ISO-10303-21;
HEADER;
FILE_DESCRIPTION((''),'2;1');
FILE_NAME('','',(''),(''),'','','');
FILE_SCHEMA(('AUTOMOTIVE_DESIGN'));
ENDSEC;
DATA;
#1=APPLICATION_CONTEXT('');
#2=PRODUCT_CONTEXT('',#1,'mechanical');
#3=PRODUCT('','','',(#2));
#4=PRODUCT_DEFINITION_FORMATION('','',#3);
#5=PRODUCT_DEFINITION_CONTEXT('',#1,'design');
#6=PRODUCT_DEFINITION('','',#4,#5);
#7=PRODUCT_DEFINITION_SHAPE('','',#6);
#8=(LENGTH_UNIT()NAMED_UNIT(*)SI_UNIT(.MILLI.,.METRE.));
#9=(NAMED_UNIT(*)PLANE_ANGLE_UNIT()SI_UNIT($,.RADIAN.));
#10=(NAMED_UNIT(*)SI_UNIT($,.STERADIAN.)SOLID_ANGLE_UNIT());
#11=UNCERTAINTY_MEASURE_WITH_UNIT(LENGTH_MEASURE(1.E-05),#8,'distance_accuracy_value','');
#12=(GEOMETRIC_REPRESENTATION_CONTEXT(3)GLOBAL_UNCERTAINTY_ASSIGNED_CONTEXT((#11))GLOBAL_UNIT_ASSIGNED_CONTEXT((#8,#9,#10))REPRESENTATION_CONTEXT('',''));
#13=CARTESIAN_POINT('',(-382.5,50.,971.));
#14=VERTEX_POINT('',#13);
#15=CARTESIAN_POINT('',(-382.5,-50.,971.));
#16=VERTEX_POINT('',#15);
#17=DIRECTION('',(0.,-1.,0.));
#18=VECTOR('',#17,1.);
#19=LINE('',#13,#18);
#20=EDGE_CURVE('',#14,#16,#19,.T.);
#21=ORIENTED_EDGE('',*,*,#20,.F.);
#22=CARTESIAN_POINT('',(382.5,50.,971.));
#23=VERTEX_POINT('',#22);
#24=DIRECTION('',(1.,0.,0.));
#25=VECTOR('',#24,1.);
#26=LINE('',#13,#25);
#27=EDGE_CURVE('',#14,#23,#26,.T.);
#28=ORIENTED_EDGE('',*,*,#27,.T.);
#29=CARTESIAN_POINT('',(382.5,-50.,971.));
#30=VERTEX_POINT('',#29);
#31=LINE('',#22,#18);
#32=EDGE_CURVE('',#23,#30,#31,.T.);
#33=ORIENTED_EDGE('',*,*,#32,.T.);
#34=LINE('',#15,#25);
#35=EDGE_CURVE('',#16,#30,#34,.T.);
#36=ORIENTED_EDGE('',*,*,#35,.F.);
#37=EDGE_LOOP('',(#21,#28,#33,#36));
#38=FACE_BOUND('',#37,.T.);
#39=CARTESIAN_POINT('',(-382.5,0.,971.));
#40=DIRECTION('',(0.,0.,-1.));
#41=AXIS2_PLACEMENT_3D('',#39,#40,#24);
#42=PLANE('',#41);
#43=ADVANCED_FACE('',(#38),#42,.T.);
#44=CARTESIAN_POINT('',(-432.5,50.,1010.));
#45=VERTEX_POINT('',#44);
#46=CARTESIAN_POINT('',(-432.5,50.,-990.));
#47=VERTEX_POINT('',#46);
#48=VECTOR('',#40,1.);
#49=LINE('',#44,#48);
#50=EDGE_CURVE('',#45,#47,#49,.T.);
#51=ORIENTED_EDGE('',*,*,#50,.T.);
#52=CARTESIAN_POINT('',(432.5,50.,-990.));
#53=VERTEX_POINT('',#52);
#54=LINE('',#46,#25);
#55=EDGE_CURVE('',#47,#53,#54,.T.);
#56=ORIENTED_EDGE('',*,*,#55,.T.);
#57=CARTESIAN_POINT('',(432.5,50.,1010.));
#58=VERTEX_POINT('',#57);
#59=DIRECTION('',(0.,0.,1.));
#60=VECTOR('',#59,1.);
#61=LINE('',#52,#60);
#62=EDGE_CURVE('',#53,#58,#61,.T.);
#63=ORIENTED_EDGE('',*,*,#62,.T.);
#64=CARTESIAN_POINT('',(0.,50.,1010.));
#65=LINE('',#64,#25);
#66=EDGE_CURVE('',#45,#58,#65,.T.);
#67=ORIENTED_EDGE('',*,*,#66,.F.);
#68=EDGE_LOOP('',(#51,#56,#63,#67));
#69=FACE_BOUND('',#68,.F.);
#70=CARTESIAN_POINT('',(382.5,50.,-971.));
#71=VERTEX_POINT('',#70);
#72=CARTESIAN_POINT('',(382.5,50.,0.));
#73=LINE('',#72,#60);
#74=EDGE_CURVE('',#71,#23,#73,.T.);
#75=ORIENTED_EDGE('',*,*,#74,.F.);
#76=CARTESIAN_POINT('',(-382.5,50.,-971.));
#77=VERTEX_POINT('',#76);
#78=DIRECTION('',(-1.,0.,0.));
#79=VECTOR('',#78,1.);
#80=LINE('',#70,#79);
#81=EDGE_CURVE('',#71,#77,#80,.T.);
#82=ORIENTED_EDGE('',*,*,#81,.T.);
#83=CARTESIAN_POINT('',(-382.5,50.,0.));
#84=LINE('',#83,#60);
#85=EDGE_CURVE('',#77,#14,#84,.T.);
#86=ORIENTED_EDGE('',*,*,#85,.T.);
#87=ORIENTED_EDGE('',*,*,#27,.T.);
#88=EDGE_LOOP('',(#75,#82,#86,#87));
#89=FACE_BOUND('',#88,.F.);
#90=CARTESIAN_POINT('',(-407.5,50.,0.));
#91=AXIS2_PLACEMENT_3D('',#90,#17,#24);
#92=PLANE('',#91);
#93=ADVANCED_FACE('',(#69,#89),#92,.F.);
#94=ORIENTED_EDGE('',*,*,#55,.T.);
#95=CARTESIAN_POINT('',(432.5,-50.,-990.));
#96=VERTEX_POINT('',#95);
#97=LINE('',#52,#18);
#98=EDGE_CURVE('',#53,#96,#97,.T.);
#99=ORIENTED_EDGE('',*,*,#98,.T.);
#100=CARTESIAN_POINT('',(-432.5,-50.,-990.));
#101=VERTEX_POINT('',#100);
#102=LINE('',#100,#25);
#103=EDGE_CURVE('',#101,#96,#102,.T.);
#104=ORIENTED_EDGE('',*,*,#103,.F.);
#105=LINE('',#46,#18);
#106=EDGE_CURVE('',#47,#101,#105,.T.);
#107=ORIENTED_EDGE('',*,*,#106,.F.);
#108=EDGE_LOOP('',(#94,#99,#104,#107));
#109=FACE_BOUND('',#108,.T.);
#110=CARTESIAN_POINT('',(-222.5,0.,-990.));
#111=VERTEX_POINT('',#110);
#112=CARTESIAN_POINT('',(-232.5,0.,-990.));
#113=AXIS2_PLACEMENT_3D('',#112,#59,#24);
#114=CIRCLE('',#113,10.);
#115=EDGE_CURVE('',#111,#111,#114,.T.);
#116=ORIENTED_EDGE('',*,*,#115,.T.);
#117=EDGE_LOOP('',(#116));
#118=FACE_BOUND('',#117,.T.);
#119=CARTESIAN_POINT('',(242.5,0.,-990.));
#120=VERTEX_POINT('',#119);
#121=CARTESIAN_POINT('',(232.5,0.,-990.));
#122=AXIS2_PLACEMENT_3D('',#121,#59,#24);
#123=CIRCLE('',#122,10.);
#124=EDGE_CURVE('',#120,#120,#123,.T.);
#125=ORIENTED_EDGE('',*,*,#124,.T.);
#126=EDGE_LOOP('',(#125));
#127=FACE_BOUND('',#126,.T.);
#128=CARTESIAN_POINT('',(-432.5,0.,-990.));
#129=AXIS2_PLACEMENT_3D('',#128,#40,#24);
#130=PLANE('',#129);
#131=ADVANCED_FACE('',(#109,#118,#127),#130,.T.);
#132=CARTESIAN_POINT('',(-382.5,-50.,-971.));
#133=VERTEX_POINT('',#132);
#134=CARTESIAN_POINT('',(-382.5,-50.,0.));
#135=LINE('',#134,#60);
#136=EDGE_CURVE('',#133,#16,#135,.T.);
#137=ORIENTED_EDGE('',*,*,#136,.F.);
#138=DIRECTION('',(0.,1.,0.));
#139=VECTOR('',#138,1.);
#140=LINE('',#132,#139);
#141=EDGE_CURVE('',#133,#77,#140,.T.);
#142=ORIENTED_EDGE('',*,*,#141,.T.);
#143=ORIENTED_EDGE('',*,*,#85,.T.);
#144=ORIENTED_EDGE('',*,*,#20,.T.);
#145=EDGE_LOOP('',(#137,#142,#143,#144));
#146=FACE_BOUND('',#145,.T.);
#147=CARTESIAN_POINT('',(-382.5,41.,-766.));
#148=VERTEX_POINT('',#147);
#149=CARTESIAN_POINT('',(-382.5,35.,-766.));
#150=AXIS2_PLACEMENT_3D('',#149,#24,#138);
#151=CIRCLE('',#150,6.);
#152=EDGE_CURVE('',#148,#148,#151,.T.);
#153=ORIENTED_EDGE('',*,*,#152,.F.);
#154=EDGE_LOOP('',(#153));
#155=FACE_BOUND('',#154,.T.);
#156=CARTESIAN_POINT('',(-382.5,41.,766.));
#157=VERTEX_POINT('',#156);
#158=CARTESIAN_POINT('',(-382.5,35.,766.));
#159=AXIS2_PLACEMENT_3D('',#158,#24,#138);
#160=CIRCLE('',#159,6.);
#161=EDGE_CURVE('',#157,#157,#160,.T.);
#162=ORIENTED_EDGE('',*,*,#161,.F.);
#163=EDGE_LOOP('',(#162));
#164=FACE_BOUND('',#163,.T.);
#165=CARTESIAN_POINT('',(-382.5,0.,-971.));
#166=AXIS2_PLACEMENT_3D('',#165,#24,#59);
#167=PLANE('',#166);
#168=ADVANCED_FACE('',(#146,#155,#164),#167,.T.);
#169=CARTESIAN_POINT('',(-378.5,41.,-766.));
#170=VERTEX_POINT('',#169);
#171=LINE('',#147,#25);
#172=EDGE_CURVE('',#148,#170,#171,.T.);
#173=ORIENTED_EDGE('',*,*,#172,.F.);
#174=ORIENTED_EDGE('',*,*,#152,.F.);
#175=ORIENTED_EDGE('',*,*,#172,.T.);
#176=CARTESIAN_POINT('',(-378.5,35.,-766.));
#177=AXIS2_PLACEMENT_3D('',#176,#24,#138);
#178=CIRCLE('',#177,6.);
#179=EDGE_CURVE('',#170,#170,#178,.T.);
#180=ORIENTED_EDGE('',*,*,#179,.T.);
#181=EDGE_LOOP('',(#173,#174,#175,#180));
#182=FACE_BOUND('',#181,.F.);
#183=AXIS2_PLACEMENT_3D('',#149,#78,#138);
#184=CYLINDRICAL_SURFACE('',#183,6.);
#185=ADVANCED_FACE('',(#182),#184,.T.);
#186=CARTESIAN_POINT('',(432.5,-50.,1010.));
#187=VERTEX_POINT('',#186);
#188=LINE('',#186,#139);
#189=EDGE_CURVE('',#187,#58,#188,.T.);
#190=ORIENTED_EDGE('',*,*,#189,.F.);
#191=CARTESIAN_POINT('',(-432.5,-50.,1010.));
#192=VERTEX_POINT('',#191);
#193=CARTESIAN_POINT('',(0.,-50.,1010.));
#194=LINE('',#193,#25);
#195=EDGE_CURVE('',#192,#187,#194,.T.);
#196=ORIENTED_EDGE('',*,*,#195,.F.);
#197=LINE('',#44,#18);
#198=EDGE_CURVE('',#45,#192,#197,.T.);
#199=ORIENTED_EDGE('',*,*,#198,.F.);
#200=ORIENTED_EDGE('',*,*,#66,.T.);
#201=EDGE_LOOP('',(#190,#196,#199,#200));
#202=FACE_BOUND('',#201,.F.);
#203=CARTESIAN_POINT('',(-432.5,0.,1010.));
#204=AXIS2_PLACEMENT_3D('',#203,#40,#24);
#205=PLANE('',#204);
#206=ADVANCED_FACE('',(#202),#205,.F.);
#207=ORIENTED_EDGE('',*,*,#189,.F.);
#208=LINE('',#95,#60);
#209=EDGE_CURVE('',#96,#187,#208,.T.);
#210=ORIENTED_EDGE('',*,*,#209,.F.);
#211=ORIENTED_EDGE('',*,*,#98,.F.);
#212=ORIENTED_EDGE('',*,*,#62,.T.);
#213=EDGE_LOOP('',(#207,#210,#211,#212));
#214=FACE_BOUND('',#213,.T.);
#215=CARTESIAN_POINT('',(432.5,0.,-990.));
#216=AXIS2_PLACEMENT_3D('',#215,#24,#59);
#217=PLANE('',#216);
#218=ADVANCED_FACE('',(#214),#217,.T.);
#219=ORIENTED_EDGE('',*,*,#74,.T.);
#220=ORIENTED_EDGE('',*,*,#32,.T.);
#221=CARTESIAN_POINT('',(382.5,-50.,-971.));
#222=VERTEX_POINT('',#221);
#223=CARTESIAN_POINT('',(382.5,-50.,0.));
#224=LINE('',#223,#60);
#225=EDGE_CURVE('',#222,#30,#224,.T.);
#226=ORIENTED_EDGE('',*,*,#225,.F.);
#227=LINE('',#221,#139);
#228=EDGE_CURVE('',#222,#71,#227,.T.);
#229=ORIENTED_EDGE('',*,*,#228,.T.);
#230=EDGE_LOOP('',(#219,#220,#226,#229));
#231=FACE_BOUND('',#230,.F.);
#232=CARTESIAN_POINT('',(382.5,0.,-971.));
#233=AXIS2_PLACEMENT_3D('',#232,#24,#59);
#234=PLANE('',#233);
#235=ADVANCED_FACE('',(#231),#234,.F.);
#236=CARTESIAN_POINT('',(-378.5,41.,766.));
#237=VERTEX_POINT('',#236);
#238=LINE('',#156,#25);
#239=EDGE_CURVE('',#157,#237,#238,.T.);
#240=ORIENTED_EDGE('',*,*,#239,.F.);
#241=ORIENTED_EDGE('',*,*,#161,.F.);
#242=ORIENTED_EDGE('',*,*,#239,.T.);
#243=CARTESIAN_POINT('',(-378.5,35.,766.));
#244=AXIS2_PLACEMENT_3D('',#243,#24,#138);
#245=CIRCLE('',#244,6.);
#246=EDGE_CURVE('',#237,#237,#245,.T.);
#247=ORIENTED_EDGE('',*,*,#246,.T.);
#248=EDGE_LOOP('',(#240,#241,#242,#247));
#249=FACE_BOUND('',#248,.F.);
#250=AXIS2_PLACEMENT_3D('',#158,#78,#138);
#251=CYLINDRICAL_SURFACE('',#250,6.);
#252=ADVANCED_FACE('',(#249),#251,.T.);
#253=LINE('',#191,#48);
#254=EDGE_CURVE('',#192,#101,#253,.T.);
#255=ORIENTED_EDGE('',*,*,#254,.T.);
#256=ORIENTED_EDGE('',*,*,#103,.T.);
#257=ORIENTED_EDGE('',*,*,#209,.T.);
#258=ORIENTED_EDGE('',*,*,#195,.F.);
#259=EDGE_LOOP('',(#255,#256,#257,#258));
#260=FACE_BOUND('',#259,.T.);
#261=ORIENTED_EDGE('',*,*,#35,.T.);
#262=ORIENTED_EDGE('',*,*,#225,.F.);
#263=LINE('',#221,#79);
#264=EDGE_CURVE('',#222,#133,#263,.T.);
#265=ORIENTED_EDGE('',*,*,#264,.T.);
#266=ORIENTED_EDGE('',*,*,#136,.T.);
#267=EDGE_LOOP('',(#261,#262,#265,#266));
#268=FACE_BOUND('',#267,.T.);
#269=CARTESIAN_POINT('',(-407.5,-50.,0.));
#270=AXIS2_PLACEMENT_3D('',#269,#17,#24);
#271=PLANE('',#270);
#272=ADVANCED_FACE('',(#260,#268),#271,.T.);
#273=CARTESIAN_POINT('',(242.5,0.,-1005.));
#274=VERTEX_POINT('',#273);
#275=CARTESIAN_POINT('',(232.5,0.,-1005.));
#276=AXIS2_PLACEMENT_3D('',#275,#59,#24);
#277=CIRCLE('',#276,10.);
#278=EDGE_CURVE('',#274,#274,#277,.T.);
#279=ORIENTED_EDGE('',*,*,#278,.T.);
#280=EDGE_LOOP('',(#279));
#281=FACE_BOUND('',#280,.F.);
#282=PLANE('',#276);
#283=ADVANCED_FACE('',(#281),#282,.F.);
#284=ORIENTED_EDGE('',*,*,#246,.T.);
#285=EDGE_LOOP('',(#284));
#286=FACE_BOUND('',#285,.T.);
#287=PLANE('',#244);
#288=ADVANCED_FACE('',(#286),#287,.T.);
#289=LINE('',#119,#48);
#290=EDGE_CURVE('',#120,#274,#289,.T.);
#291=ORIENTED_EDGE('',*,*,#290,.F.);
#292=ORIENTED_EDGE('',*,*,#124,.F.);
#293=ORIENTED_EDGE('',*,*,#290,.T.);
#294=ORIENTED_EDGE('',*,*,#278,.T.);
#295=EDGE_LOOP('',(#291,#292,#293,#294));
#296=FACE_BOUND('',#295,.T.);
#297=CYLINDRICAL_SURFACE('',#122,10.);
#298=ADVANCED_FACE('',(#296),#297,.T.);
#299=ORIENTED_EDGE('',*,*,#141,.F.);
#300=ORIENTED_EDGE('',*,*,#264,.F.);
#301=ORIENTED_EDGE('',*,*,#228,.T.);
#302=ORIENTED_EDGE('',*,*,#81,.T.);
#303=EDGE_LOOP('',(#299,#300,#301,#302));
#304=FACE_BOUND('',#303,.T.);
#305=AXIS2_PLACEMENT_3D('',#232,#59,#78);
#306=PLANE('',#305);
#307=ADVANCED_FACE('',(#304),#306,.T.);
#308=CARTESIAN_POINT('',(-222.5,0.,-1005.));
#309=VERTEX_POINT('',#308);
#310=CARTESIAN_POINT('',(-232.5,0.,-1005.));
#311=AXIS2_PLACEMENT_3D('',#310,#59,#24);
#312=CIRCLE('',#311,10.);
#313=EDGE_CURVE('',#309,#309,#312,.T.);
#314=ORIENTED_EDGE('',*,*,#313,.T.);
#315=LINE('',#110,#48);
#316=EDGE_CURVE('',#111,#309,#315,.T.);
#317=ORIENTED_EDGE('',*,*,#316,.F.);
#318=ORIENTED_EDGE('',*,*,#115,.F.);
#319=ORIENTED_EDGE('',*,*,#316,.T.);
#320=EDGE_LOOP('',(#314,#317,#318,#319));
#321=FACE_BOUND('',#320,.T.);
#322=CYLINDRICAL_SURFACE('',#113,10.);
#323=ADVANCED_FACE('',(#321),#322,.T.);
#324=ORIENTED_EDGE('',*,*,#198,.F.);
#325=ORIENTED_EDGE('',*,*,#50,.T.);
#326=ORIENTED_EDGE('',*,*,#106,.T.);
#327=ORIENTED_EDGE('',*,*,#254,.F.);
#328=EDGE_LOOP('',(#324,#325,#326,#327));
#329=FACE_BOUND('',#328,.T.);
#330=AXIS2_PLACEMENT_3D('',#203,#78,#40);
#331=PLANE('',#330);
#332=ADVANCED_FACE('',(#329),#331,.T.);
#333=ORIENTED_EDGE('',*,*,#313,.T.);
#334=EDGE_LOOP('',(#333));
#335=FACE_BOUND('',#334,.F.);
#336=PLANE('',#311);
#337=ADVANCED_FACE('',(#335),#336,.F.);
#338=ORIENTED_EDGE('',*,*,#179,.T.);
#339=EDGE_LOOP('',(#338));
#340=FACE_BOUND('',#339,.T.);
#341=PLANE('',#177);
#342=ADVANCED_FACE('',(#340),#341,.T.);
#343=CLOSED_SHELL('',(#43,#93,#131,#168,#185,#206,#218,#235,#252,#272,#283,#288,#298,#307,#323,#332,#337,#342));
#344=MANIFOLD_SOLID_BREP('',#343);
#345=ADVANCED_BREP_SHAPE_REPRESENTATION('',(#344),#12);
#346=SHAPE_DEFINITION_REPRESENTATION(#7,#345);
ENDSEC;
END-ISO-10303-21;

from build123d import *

# Parameters (mm, degrees)
F0_W     = 50
F0_H     = 1942
F0_W_2   = 865
F0_H_2   = 20
F1_DEPTH = 50
F3_R     = 10
F4_DEPTH = 15
F6_R     = 6
F7_DEPTH = 4


with BuildPart() as f1:
    # F0 (on Front) → F1 (new body, symmetric)
    with BuildSketch(Plane.XZ):
        with Locations((-407.5, 0)):
            Rectangle(F0_W, F0_H)
        Polygon((432.5, 990), (-432.5, 990), (-432.5, 971), (-382.5, 971), (382.5, 971), (432.5, 971), align=None)
        with Locations((0, 1000)):
            Rectangle(F0_W_2, F0_H_2)
        with Locations((407.5, 0)):
            Rectangle(F0_W, F0_H)
        Polygon((-382.5, -971), (-432.5, -971), (-432.5, -990), (432.5, -990), (432.5, -971), (382.5, -971), align=None)
    extrude(amount=F1_DEPTH, both=True)

    # F3 (on offset) → F4 (join)
    with BuildSketch(Plane.XY.offset(-990)):
        with Locations((-232.5, 0)):
            Circle(F3_R)
        with Locations((232.5, 0)):
            Circle(F3_R)
    extrude(amount=-F4_DEPTH)

    # F6 (on offset) → F7 (join)
    with BuildSketch(Plane.YZ.offset(-382.5)):
        with Locations((35, 766)):
            Circle(F6_R)
        with Locations((35, -766)):
            Circle(F6_R)
    extrude(amount=F7_DEPTH)


solid = f1.part
